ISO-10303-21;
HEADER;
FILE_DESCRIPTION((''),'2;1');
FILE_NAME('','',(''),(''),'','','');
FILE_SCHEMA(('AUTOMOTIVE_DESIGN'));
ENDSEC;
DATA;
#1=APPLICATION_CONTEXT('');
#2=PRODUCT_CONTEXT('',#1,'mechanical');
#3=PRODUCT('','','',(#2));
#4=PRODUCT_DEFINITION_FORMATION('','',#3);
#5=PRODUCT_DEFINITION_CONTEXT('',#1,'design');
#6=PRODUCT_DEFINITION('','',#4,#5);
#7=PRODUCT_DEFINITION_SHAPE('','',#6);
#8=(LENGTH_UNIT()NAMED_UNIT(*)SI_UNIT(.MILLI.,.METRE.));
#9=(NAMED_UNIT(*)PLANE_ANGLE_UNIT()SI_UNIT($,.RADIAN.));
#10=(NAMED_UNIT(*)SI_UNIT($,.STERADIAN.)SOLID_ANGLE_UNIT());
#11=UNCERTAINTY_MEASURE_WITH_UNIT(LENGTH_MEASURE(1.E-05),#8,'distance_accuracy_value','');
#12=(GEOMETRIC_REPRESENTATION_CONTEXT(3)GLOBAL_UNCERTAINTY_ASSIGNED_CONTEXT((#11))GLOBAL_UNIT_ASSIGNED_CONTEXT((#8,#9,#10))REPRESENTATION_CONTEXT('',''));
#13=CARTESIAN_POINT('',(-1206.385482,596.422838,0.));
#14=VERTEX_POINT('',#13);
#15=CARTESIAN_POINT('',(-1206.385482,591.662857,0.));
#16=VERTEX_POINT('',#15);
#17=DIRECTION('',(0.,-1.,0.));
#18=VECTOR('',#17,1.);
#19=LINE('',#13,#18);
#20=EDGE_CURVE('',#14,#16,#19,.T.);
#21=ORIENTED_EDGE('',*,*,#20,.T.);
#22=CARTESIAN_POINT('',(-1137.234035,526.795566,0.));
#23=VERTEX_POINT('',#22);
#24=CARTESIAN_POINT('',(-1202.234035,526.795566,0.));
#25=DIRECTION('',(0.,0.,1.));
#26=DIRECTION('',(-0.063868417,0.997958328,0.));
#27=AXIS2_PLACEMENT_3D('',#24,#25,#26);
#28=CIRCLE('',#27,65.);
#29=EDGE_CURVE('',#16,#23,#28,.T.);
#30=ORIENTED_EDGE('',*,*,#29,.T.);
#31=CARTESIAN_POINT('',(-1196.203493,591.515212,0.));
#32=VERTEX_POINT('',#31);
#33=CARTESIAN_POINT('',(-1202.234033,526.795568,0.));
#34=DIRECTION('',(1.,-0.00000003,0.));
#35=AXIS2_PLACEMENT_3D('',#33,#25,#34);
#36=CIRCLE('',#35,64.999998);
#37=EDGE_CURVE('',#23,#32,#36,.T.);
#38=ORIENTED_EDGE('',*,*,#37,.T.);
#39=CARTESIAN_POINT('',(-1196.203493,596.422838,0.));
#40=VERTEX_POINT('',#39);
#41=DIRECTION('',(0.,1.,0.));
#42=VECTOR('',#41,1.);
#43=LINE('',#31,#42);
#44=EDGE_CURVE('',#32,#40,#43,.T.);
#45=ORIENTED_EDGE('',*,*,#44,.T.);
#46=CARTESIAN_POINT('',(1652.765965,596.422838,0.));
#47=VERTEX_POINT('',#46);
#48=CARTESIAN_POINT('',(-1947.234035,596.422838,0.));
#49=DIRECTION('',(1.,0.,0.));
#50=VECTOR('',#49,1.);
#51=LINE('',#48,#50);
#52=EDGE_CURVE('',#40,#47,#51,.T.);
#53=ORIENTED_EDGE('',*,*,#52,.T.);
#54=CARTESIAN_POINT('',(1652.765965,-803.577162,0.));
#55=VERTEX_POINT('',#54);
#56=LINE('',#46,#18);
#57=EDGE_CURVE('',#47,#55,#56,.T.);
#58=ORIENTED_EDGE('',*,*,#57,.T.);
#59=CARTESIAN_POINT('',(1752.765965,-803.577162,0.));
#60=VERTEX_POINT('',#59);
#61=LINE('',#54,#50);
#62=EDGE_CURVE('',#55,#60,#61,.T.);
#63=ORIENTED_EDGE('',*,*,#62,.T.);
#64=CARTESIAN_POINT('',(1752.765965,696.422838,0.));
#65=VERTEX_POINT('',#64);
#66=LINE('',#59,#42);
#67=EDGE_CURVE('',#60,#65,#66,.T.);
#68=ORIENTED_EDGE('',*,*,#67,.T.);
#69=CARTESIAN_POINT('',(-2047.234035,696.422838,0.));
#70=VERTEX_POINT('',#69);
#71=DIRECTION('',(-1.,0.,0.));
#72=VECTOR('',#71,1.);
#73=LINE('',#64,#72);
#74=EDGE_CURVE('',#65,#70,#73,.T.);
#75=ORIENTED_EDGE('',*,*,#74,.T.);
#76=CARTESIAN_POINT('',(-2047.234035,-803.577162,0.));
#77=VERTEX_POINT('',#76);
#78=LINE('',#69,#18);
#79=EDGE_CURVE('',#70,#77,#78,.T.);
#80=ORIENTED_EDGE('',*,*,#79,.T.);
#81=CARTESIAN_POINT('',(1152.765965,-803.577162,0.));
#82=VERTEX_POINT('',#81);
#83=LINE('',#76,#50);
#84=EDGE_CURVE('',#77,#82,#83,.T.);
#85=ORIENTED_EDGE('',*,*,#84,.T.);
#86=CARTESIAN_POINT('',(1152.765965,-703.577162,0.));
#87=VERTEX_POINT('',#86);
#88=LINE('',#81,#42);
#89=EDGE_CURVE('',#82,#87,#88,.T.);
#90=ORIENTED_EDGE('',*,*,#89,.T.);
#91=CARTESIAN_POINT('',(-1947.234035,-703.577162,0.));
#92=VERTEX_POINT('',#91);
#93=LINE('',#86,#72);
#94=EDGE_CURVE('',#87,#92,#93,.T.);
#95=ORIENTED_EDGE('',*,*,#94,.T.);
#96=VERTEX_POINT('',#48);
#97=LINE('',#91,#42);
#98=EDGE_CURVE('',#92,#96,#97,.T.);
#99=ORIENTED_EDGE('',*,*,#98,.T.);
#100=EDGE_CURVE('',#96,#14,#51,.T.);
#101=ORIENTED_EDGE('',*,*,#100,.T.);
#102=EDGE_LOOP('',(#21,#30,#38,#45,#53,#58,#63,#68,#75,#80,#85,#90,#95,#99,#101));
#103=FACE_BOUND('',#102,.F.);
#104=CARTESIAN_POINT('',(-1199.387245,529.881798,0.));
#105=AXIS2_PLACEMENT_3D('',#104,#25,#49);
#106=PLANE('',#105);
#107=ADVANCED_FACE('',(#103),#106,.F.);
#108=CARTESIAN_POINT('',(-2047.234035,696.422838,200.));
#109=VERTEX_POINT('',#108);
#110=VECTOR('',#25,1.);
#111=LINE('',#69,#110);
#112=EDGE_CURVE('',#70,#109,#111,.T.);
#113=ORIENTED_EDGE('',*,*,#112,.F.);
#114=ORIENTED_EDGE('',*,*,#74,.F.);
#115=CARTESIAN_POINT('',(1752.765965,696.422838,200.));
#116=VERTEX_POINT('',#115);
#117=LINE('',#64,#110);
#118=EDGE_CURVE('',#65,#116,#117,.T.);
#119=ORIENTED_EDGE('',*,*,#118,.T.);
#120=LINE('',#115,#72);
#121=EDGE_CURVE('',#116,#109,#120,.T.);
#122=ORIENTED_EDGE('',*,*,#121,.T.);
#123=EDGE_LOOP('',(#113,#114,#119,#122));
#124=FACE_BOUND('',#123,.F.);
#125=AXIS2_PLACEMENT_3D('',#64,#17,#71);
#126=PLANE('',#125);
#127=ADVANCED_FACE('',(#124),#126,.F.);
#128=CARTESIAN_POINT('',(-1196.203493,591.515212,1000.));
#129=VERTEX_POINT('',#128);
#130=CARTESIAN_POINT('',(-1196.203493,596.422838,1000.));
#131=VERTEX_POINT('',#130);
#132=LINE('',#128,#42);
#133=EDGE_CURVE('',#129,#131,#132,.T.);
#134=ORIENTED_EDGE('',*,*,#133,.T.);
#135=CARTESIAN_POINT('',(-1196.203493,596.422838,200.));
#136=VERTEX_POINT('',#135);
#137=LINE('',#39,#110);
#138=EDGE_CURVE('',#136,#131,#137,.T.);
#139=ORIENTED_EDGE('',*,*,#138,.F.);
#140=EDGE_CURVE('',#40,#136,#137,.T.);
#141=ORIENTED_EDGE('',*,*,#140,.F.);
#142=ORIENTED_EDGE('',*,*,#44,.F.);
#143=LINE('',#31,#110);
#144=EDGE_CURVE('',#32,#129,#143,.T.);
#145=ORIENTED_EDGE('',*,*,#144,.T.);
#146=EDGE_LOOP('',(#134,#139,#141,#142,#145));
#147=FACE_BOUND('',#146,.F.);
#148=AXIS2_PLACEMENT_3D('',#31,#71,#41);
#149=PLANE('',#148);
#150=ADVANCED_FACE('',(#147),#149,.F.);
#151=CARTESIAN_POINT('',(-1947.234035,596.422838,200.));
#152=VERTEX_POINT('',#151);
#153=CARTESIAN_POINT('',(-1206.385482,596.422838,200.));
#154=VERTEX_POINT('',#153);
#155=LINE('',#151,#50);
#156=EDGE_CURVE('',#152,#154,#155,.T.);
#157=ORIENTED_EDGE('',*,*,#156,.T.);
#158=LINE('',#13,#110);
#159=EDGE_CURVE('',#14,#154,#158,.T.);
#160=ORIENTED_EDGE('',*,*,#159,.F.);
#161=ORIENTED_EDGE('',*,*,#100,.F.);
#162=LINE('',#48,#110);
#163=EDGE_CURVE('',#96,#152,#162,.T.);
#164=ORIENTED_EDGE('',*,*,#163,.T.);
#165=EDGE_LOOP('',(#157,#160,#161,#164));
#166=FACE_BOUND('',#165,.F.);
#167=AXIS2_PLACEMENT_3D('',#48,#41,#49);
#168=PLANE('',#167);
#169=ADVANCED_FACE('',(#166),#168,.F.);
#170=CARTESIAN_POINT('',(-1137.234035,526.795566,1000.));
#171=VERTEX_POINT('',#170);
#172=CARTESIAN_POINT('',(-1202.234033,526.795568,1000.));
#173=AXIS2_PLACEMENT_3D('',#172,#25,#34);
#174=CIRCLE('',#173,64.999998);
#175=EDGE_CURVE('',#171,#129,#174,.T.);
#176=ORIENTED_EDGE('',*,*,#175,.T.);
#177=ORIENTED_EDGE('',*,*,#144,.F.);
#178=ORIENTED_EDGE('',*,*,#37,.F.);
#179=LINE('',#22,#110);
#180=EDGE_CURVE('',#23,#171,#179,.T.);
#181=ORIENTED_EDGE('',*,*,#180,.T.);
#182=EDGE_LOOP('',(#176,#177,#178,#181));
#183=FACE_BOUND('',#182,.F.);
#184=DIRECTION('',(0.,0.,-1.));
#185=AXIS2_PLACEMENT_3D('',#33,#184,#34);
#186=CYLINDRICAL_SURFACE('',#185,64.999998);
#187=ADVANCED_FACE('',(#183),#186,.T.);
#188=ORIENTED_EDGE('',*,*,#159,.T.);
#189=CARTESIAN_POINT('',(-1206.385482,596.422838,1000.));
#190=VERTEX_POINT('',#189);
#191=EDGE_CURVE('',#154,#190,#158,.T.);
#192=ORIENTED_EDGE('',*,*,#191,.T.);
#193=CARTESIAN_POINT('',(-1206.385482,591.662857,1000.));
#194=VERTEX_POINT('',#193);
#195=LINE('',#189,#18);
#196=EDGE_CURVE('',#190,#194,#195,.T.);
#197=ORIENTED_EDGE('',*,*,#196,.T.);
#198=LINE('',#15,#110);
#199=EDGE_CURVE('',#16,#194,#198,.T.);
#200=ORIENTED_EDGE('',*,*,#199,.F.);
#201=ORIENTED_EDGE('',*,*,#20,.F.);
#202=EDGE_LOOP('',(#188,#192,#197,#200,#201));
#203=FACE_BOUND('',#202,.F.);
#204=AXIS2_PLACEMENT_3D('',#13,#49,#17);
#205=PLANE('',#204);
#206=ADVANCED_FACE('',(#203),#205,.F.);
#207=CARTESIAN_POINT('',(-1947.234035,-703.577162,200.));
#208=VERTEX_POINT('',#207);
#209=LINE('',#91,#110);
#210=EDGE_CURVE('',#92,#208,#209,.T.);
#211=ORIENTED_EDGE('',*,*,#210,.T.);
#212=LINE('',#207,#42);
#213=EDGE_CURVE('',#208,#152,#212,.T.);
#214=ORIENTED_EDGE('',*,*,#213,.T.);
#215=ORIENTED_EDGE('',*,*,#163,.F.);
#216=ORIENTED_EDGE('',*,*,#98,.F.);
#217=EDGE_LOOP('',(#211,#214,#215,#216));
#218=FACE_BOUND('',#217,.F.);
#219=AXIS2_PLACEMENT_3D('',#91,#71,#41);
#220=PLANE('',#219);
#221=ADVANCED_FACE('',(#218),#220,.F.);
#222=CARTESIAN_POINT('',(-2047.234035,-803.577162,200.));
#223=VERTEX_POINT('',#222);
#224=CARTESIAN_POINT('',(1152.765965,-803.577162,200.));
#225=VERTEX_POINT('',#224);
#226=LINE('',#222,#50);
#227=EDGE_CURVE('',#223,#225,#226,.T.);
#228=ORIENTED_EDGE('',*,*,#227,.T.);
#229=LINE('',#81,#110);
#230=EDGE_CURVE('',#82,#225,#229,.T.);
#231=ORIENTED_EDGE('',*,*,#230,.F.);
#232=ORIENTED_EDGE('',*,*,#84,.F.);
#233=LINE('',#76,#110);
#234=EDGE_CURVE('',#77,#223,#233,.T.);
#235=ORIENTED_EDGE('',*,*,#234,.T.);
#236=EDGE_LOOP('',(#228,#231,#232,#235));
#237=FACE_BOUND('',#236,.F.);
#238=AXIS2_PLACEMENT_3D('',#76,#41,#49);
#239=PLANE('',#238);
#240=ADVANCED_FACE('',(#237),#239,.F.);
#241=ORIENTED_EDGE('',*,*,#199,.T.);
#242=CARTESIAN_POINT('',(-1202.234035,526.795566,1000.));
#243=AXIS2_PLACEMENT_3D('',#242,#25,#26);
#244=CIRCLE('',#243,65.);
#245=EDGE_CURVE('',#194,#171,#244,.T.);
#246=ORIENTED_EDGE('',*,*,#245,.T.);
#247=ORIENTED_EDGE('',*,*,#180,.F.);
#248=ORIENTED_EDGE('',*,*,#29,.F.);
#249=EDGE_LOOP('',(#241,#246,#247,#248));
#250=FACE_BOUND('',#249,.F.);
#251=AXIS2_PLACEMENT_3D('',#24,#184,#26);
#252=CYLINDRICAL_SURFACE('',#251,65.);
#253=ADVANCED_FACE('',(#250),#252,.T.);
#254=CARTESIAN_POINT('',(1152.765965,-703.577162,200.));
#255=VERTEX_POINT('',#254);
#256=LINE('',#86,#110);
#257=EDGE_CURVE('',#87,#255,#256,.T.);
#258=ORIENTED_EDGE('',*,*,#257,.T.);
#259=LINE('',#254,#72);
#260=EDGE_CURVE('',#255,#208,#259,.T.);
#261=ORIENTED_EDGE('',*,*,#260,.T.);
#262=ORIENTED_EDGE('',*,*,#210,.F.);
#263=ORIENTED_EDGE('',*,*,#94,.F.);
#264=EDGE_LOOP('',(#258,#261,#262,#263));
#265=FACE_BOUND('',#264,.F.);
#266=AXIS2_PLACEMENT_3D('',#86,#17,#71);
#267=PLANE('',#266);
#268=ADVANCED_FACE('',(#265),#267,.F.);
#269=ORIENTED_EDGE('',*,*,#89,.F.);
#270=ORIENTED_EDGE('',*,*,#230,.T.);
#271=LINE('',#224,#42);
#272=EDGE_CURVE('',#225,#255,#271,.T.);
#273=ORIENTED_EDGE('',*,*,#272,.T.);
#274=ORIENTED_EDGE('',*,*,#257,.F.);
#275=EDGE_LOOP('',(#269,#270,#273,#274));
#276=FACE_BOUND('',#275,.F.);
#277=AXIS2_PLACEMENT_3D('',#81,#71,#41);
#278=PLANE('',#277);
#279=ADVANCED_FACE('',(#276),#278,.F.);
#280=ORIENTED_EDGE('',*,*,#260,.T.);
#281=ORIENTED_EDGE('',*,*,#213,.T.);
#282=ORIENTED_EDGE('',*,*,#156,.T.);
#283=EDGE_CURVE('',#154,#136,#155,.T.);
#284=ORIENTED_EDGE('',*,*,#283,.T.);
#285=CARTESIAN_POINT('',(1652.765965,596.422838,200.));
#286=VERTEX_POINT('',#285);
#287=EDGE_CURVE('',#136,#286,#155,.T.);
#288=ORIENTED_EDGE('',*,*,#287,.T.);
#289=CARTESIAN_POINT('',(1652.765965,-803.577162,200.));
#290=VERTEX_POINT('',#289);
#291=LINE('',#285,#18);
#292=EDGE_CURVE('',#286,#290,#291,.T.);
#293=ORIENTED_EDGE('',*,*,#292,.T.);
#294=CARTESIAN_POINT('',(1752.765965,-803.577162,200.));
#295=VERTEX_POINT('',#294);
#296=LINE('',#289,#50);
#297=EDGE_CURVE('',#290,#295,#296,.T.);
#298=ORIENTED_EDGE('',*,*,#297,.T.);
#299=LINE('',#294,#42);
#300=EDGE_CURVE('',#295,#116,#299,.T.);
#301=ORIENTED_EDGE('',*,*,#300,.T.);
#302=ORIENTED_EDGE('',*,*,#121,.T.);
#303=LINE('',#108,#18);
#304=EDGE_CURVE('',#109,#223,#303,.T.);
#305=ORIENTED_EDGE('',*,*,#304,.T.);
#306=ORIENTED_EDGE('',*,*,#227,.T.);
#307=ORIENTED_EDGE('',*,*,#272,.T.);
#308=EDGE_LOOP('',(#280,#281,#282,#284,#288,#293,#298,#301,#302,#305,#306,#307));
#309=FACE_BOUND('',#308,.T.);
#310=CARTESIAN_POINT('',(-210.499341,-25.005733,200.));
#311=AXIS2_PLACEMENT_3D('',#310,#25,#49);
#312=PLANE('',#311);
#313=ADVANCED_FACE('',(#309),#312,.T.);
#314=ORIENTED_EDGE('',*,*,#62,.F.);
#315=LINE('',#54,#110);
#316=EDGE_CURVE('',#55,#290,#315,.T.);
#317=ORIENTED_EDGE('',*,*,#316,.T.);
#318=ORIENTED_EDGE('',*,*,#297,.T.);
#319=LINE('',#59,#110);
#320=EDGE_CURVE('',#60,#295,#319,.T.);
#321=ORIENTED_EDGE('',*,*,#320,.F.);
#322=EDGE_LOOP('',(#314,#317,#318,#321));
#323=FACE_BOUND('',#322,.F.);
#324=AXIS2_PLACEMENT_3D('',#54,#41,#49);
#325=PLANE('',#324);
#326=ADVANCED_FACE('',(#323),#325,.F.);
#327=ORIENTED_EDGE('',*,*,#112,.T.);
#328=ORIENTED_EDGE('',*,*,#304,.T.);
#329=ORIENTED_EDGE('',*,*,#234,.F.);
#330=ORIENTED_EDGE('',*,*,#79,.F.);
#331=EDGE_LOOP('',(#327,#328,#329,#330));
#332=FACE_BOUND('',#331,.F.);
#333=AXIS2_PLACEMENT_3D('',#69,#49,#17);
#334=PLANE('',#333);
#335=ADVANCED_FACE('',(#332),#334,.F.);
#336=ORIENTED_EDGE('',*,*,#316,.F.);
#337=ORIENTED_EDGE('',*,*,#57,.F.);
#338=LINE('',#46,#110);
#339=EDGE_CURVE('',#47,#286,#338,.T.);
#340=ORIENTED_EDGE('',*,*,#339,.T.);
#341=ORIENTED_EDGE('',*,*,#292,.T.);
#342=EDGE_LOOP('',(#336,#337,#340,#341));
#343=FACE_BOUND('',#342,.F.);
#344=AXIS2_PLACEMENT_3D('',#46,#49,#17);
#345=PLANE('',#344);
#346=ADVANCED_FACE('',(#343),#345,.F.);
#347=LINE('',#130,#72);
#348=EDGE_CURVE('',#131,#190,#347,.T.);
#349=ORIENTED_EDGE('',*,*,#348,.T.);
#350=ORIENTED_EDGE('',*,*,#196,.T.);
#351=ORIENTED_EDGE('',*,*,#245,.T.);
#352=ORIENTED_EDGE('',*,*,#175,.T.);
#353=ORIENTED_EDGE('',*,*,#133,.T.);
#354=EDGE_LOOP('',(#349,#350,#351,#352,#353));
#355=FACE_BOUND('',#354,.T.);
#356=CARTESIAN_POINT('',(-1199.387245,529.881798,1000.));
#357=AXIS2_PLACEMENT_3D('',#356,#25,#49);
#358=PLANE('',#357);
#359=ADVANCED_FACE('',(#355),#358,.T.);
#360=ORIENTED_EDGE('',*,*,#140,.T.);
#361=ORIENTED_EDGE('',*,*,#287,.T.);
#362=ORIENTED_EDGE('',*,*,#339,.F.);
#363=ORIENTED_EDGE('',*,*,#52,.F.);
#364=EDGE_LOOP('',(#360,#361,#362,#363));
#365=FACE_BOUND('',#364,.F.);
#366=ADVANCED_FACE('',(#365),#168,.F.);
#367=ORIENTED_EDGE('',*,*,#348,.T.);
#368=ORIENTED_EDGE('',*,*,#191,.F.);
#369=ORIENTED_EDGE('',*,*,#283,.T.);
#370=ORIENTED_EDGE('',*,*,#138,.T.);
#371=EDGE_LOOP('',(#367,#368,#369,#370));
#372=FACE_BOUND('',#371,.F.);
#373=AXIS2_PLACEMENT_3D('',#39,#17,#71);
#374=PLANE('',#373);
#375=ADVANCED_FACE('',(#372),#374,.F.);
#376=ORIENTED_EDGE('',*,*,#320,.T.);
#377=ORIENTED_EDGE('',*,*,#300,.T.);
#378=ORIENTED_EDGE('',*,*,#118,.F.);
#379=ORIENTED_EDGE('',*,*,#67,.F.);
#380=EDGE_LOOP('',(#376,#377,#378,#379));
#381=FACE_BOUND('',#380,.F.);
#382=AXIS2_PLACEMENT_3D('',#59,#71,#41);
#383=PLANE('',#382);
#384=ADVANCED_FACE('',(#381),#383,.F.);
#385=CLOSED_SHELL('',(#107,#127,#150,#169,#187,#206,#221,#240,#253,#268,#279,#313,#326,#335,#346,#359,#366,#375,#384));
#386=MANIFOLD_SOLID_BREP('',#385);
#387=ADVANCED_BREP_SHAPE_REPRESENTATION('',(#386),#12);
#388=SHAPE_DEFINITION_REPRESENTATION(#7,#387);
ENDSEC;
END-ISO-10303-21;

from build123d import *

# Parameters (mm, degrees)
F1_DEPTH = 200
F2_DEPTH = 1000


with BuildPart() as f1:
    # F0 (on Top) → F1 (new body)
    with BuildSketch(Plane.XY):
        Polygon((-1947.234035, -703.577162), (-1947.234035, 596.422838), (-1206.385482, 596.422838), (-1196.203493, 596.422838), (1652.765965, 596.422838), (1652.765965, -803.577162), (1752.765965, -803.577162), (1752.765965, 696.422838), (-2047.234035, 696.422838), (-2047.234035, -803.577162), (1152.765965, -803.577162), (1152.765965, -703.577162), align=None)
    extrude(amount=F1_DEPTH)

    # F0 (on Top) → F2 (join)
    with BuildSketch(Plane.XY):
        with BuildLine():
            ThreePointArc((-1196.203493, 591.515212), (-1201.291592, 591.788733), (-1206.385482, 591.662857))
            ThreePointArc((-1206.385482, 591.662857), (-1246.704002, 479.388583), (-1137.234035, 526.795566))
            ThreePointArc((-1137.234035, 526.795566), (-1154.187259, 570.573499), (-1196.203493, 591.515212))
        make_face()
        with BuildLine():
            Line((-1196.203493, 596.422838), (-1206.385482, 596.422838))
            Line((-1206.385482, 596.422838), (-1206.385482, 591.662857))
            ThreePointArc((-1206.385482, 591.662857), (-1201.291592, 591.788733), (-1196.203493, 591.515212))
            Line((-1196.203493, 591.515212), (-1196.203493, 596.422838))
        make_face()
    extrude(amount=F2_DEPTH)


solid = f1.part
